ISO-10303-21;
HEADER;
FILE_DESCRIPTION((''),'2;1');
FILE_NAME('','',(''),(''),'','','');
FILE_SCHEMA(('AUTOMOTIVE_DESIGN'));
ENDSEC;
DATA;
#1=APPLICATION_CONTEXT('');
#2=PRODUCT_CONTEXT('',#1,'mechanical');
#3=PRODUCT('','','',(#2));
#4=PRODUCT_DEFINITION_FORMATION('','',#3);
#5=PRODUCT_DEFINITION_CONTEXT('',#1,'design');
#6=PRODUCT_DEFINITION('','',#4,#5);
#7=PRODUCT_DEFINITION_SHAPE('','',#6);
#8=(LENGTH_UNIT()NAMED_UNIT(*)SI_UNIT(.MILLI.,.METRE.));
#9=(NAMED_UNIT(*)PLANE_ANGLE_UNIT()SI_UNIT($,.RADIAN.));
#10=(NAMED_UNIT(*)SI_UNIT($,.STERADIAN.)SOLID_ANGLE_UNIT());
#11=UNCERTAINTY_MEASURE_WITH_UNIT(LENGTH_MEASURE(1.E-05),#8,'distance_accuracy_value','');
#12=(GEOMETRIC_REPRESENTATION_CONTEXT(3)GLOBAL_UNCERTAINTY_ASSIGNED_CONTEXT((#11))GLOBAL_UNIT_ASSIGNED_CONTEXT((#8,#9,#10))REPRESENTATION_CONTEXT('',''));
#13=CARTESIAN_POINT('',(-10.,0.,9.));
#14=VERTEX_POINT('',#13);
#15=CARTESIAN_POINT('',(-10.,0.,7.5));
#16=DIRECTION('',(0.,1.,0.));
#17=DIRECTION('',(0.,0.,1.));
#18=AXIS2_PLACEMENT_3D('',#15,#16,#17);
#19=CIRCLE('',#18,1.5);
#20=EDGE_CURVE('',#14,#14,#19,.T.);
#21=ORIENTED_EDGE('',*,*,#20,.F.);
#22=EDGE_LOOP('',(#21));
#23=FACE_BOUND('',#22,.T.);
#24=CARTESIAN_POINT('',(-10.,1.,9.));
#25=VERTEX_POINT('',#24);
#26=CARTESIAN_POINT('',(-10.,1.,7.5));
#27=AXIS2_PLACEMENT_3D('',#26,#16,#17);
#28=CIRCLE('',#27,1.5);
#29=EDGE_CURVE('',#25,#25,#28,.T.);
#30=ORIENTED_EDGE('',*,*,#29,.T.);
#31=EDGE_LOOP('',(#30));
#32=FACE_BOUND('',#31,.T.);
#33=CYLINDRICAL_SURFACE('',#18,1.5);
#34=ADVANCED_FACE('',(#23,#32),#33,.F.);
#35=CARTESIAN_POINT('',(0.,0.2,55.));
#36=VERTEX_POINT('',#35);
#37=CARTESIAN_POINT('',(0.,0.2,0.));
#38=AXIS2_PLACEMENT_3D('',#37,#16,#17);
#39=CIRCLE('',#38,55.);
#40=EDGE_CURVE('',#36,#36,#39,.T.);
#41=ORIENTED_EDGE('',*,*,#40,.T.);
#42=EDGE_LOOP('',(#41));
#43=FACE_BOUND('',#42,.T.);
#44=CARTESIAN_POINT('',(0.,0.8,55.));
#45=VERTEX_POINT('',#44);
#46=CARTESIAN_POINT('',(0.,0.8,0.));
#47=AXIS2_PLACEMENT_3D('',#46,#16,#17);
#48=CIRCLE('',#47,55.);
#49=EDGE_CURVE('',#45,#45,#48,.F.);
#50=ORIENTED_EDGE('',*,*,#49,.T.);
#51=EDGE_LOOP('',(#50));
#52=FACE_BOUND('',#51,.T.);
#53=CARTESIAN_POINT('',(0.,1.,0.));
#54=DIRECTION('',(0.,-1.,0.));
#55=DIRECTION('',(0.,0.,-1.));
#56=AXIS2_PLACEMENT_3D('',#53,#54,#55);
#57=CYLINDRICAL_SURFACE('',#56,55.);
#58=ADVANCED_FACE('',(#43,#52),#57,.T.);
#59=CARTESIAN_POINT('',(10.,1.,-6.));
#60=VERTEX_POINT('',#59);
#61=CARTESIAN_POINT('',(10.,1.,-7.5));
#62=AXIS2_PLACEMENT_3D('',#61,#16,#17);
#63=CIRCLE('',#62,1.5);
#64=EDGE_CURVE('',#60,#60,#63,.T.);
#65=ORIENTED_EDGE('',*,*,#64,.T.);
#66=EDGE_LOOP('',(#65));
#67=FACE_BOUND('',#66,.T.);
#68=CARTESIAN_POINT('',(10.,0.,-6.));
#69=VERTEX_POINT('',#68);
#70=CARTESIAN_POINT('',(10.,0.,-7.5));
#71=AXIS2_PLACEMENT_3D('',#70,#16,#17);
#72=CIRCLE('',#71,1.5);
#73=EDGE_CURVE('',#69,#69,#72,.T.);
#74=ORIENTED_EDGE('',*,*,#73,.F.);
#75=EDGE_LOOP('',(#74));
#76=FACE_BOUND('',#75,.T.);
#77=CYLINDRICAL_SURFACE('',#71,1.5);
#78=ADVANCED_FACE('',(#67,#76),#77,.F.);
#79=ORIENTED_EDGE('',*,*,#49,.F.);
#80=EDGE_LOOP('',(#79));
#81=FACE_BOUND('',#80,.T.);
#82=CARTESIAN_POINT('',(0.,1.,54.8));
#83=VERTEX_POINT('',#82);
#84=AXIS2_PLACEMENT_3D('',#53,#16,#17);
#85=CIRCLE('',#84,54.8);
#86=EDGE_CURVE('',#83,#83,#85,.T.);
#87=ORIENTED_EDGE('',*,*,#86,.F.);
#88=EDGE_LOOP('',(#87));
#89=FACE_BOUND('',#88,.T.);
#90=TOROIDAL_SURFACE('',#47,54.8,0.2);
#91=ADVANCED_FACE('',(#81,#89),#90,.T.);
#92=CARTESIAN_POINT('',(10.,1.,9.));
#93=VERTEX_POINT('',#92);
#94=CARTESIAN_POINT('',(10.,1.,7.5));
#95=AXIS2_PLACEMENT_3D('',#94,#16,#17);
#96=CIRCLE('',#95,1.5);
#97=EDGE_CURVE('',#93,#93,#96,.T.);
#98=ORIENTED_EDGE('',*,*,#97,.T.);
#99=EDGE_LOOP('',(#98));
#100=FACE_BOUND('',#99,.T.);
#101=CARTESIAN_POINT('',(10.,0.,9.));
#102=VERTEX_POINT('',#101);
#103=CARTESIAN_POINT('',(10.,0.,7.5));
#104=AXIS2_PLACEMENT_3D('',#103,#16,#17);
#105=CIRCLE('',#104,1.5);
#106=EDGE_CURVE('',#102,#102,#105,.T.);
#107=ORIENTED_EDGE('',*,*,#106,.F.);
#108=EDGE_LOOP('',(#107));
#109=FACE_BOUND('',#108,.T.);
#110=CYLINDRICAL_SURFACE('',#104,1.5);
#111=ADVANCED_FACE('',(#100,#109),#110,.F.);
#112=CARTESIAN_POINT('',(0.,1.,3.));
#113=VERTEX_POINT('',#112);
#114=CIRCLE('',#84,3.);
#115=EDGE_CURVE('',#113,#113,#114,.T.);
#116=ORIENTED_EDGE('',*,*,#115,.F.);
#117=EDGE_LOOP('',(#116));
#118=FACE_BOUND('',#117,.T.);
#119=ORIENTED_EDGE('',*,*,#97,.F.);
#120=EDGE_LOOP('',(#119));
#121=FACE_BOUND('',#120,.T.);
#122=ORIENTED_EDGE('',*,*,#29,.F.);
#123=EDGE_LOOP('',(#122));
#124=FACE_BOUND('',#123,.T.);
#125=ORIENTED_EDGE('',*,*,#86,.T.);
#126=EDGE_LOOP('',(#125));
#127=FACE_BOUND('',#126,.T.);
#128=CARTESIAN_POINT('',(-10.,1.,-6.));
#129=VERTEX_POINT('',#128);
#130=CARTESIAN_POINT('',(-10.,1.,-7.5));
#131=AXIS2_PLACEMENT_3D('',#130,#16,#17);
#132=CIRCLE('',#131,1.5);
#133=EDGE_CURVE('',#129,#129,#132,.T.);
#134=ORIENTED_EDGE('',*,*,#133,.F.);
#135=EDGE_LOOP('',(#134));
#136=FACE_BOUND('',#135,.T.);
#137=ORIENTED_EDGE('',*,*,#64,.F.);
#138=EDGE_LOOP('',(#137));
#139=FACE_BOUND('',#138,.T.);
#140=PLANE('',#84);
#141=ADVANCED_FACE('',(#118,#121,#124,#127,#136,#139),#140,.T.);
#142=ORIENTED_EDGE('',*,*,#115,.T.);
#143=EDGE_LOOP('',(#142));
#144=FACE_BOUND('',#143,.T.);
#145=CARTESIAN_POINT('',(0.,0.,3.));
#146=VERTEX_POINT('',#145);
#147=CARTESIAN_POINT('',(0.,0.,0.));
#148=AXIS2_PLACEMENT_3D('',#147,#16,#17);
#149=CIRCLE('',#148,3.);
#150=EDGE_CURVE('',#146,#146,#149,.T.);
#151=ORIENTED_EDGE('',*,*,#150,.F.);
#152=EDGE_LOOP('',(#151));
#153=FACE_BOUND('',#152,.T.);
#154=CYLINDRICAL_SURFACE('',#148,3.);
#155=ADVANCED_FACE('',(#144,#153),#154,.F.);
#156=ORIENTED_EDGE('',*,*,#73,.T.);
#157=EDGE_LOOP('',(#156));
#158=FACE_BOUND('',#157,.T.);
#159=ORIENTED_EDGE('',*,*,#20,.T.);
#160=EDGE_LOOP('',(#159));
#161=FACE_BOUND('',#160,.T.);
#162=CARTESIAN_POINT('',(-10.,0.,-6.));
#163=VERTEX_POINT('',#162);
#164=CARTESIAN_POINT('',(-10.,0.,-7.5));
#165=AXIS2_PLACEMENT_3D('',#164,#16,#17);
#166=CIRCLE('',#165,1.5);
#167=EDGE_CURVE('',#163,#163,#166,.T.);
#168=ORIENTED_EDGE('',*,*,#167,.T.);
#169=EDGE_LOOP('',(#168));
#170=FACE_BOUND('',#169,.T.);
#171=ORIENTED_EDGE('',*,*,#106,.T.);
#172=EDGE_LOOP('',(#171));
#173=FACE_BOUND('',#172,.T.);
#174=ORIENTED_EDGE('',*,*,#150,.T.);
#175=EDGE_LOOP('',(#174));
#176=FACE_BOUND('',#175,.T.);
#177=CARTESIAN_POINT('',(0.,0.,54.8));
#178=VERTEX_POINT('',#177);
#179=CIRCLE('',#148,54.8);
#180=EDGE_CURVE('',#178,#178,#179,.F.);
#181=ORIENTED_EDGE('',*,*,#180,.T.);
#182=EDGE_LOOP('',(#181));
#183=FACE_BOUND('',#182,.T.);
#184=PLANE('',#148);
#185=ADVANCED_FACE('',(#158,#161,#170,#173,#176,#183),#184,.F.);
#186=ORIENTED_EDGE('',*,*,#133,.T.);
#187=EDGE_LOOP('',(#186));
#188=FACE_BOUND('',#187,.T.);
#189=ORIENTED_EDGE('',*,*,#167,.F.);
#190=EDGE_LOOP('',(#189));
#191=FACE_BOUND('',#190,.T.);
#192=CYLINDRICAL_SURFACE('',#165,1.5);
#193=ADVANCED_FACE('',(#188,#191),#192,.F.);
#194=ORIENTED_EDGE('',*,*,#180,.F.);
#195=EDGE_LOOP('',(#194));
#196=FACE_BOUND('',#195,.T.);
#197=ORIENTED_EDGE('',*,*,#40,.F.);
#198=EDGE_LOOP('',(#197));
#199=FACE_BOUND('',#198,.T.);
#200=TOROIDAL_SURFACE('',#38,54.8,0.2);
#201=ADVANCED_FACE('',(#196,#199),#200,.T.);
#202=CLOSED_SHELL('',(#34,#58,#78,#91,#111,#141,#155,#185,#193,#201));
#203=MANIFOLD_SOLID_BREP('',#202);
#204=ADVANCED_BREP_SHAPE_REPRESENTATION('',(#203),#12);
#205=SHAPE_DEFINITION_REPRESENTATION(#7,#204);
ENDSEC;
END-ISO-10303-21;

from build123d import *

# Parameters (mm, degrees)
SKETCH1_R           = 55
BOSS_EXTRUDE1_DEPTH = 1
FILLET2_R           = 0.2
SKETCH4_R           = 3
CUT_EXTRUDE2_DEPTH  = 2
SKETCH3_R           = 1.5
CUT_EXTRUDE3_DEPTH  = 2


with BuildPart() as part:
    # Sketch1 → Boss-Extrude1 (new body)
    with BuildSketch(Plane(origin=(0, 0, 0), x_dir=(1, 0, 0), z_dir=(0, 1, 0))):
        Circle(SKETCH1_R)
    extrude(amount=BOSS_EXTRUDE1_DEPTH)

    # Fillet2
    fillet2_edges = [part.edges().sort_by_distance(p)[0] for p in [
        (-55, 0, 0),
        (-55, 1, 0),
    ]]
    fillet(fillet2_edges, radius=FILLET2_R)

    # Sketch4 → Cut-Extrude2 (cut, through all)
    with BuildSketch(Plane(origin=(0, 1, 0), x_dir=(1, 0, 0), z_dir=(0, 1, 0))):
        Circle(SKETCH4_R)
    extrude(amount=-CUT_EXTRUDE2_DEPTH, mode=Mode.SUBTRACT)

    # Sketch3 → Cut-Extrude3 (cut, through all)
    with BuildSketch(Plane(origin=(0, 1, 0), x_dir=(1, 0, 0), z_dir=(0, 1, 0))):
        with Locations((-10, 7.5)):
            Circle(SKETCH3_R)
        with Locations((10, 7.5)):
            Circle(SKETCH3_R)
        with Locations((10, -7.5)):
            Circle(SKETCH3_R)
        with Locations((-10, -7.5)):
            Circle(SKETCH3_R)
    extrude(amount=-CUT_EXTRUDE3_DEPTH, mode=Mode.SUBTRACT)


solid = part.part
